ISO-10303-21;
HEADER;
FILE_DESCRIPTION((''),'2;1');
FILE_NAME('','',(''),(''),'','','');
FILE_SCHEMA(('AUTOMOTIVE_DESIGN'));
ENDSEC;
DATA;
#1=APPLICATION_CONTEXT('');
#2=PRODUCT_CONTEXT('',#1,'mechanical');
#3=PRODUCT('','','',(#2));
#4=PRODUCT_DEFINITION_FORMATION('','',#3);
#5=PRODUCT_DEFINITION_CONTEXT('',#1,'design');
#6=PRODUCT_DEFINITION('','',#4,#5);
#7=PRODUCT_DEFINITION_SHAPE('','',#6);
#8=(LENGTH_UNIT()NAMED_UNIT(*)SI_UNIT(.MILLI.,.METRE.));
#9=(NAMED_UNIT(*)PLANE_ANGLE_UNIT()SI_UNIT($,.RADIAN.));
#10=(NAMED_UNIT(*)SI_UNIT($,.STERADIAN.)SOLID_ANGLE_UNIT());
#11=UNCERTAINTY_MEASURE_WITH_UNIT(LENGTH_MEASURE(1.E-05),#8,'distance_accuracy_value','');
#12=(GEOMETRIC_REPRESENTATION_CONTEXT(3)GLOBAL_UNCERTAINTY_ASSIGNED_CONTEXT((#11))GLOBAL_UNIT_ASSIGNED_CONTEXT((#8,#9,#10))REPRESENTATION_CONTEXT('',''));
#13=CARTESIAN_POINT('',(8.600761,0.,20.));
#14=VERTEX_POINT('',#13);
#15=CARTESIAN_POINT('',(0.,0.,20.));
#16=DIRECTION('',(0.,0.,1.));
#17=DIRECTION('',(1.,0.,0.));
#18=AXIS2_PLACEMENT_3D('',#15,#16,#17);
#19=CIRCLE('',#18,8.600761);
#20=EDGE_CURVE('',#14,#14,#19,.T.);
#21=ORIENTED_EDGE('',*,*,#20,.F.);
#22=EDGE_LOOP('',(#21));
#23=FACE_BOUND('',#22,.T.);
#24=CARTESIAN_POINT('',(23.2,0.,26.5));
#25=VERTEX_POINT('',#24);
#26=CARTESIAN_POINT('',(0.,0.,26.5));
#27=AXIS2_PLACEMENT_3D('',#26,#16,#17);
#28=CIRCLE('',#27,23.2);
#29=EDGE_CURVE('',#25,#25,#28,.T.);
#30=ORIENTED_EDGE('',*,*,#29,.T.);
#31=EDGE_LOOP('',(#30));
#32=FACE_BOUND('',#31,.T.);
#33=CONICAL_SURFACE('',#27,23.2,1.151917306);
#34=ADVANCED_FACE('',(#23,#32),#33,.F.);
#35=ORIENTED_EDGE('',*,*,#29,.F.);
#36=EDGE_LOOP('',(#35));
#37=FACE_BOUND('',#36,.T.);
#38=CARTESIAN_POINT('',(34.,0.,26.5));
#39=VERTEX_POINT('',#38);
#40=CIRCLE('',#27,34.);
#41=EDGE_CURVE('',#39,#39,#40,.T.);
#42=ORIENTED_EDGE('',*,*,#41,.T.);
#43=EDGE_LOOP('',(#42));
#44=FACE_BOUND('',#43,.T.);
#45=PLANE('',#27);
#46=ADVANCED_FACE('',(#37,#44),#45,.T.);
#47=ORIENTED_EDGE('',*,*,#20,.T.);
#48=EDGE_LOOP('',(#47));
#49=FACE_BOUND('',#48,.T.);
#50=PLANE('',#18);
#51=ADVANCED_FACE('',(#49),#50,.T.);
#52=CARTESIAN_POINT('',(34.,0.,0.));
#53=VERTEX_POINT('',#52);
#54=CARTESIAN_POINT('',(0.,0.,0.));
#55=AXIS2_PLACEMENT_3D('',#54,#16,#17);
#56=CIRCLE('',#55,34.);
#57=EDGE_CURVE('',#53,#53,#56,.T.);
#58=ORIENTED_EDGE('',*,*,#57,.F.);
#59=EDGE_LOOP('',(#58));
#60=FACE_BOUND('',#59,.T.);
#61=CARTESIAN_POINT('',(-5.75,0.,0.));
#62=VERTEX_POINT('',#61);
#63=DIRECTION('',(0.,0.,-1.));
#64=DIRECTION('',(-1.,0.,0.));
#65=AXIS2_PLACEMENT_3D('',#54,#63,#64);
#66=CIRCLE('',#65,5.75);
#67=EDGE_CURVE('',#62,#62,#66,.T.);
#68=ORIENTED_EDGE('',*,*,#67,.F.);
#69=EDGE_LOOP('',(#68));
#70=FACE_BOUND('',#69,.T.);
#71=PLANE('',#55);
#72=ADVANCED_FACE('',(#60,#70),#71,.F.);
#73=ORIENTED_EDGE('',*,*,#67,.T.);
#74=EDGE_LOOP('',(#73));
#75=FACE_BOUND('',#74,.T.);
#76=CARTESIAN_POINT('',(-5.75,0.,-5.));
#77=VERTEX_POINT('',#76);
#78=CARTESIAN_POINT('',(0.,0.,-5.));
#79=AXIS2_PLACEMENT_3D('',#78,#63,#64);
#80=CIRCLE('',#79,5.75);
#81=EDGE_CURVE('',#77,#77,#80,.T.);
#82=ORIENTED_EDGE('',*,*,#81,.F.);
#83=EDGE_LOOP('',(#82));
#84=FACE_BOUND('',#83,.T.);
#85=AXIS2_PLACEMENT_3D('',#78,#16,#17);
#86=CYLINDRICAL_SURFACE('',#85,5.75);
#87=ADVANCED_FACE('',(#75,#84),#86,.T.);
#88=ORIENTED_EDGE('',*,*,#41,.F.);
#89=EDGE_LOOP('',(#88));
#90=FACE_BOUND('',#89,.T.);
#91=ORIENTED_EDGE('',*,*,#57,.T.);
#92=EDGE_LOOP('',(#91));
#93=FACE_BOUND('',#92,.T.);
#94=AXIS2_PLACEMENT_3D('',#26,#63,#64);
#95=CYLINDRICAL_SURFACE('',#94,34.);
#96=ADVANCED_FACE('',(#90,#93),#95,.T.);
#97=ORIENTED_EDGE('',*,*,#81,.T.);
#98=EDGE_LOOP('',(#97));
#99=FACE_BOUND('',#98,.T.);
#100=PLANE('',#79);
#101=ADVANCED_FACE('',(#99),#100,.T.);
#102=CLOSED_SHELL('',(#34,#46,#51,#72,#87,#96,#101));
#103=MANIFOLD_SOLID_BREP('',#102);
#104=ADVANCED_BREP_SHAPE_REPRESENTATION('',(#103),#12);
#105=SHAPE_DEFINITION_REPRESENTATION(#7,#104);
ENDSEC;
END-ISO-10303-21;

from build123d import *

# Parameters (mm, degrees)
SKETCH1_R           = 34
BOSS_EXTRUDE1_DEPTH = 26.5
SKETCH2_R           = 23.2
CUT_EXTRUDE1_DEPTH  = 6.5
CUT_EXTRUDE1_DRAFT  = -66
SKETCH3_R           = 5.75
BOSS_EXTRUDE2_DEPTH = 5


with BuildPart() as part:
    # Sketch1 → Boss-Extrude1 (new body)
    with BuildSketch(Plane.XY):
        Circle(SKETCH1_R)
    extrude(amount=BOSS_EXTRUDE1_DEPTH)


with BuildPart() as cut_extrude1_tool:
    # Sketch2 → Cut-Extrude1 (with draft: the straight prism first)
    with BuildSketch(Plane.XY.offset(26.5)):
        Circle(SKETCH2_R)
    extrude(amount=-CUT_EXTRUDE1_DEPTH)
    # Cut-Extrude1: the draft: its side faces are tilted about the plane it starts from
    cut_extrude1_sides = [cut_extrude1_tool.faces().sort_by_distance(p)[0] for p in [
        (-23.2, 0, 23.25),
    ]]
    draft(cut_extrude1_sides, Plane.XY.offset(26.5), CUT_EXTRUDE1_DRAFT)


with BuildPart() as part_1:
    add(part.part)

    # Cut-Extrude1: cut by cut_extrude1_tool
    add(cut_extrude1_tool.part, mode=Mode.SUBTRACT)

    # Sketch3 → Boss-Extrude2 (add)
    with BuildSketch(Plane(origin=(0, 0, 0), x_dir=(-1, 0, 0), z_dir=(0, 0, -1))):
        Circle(SKETCH3_R)
    extrude(amount=BOSS_EXTRUDE2_DEPTH)


solid = part_1.part
